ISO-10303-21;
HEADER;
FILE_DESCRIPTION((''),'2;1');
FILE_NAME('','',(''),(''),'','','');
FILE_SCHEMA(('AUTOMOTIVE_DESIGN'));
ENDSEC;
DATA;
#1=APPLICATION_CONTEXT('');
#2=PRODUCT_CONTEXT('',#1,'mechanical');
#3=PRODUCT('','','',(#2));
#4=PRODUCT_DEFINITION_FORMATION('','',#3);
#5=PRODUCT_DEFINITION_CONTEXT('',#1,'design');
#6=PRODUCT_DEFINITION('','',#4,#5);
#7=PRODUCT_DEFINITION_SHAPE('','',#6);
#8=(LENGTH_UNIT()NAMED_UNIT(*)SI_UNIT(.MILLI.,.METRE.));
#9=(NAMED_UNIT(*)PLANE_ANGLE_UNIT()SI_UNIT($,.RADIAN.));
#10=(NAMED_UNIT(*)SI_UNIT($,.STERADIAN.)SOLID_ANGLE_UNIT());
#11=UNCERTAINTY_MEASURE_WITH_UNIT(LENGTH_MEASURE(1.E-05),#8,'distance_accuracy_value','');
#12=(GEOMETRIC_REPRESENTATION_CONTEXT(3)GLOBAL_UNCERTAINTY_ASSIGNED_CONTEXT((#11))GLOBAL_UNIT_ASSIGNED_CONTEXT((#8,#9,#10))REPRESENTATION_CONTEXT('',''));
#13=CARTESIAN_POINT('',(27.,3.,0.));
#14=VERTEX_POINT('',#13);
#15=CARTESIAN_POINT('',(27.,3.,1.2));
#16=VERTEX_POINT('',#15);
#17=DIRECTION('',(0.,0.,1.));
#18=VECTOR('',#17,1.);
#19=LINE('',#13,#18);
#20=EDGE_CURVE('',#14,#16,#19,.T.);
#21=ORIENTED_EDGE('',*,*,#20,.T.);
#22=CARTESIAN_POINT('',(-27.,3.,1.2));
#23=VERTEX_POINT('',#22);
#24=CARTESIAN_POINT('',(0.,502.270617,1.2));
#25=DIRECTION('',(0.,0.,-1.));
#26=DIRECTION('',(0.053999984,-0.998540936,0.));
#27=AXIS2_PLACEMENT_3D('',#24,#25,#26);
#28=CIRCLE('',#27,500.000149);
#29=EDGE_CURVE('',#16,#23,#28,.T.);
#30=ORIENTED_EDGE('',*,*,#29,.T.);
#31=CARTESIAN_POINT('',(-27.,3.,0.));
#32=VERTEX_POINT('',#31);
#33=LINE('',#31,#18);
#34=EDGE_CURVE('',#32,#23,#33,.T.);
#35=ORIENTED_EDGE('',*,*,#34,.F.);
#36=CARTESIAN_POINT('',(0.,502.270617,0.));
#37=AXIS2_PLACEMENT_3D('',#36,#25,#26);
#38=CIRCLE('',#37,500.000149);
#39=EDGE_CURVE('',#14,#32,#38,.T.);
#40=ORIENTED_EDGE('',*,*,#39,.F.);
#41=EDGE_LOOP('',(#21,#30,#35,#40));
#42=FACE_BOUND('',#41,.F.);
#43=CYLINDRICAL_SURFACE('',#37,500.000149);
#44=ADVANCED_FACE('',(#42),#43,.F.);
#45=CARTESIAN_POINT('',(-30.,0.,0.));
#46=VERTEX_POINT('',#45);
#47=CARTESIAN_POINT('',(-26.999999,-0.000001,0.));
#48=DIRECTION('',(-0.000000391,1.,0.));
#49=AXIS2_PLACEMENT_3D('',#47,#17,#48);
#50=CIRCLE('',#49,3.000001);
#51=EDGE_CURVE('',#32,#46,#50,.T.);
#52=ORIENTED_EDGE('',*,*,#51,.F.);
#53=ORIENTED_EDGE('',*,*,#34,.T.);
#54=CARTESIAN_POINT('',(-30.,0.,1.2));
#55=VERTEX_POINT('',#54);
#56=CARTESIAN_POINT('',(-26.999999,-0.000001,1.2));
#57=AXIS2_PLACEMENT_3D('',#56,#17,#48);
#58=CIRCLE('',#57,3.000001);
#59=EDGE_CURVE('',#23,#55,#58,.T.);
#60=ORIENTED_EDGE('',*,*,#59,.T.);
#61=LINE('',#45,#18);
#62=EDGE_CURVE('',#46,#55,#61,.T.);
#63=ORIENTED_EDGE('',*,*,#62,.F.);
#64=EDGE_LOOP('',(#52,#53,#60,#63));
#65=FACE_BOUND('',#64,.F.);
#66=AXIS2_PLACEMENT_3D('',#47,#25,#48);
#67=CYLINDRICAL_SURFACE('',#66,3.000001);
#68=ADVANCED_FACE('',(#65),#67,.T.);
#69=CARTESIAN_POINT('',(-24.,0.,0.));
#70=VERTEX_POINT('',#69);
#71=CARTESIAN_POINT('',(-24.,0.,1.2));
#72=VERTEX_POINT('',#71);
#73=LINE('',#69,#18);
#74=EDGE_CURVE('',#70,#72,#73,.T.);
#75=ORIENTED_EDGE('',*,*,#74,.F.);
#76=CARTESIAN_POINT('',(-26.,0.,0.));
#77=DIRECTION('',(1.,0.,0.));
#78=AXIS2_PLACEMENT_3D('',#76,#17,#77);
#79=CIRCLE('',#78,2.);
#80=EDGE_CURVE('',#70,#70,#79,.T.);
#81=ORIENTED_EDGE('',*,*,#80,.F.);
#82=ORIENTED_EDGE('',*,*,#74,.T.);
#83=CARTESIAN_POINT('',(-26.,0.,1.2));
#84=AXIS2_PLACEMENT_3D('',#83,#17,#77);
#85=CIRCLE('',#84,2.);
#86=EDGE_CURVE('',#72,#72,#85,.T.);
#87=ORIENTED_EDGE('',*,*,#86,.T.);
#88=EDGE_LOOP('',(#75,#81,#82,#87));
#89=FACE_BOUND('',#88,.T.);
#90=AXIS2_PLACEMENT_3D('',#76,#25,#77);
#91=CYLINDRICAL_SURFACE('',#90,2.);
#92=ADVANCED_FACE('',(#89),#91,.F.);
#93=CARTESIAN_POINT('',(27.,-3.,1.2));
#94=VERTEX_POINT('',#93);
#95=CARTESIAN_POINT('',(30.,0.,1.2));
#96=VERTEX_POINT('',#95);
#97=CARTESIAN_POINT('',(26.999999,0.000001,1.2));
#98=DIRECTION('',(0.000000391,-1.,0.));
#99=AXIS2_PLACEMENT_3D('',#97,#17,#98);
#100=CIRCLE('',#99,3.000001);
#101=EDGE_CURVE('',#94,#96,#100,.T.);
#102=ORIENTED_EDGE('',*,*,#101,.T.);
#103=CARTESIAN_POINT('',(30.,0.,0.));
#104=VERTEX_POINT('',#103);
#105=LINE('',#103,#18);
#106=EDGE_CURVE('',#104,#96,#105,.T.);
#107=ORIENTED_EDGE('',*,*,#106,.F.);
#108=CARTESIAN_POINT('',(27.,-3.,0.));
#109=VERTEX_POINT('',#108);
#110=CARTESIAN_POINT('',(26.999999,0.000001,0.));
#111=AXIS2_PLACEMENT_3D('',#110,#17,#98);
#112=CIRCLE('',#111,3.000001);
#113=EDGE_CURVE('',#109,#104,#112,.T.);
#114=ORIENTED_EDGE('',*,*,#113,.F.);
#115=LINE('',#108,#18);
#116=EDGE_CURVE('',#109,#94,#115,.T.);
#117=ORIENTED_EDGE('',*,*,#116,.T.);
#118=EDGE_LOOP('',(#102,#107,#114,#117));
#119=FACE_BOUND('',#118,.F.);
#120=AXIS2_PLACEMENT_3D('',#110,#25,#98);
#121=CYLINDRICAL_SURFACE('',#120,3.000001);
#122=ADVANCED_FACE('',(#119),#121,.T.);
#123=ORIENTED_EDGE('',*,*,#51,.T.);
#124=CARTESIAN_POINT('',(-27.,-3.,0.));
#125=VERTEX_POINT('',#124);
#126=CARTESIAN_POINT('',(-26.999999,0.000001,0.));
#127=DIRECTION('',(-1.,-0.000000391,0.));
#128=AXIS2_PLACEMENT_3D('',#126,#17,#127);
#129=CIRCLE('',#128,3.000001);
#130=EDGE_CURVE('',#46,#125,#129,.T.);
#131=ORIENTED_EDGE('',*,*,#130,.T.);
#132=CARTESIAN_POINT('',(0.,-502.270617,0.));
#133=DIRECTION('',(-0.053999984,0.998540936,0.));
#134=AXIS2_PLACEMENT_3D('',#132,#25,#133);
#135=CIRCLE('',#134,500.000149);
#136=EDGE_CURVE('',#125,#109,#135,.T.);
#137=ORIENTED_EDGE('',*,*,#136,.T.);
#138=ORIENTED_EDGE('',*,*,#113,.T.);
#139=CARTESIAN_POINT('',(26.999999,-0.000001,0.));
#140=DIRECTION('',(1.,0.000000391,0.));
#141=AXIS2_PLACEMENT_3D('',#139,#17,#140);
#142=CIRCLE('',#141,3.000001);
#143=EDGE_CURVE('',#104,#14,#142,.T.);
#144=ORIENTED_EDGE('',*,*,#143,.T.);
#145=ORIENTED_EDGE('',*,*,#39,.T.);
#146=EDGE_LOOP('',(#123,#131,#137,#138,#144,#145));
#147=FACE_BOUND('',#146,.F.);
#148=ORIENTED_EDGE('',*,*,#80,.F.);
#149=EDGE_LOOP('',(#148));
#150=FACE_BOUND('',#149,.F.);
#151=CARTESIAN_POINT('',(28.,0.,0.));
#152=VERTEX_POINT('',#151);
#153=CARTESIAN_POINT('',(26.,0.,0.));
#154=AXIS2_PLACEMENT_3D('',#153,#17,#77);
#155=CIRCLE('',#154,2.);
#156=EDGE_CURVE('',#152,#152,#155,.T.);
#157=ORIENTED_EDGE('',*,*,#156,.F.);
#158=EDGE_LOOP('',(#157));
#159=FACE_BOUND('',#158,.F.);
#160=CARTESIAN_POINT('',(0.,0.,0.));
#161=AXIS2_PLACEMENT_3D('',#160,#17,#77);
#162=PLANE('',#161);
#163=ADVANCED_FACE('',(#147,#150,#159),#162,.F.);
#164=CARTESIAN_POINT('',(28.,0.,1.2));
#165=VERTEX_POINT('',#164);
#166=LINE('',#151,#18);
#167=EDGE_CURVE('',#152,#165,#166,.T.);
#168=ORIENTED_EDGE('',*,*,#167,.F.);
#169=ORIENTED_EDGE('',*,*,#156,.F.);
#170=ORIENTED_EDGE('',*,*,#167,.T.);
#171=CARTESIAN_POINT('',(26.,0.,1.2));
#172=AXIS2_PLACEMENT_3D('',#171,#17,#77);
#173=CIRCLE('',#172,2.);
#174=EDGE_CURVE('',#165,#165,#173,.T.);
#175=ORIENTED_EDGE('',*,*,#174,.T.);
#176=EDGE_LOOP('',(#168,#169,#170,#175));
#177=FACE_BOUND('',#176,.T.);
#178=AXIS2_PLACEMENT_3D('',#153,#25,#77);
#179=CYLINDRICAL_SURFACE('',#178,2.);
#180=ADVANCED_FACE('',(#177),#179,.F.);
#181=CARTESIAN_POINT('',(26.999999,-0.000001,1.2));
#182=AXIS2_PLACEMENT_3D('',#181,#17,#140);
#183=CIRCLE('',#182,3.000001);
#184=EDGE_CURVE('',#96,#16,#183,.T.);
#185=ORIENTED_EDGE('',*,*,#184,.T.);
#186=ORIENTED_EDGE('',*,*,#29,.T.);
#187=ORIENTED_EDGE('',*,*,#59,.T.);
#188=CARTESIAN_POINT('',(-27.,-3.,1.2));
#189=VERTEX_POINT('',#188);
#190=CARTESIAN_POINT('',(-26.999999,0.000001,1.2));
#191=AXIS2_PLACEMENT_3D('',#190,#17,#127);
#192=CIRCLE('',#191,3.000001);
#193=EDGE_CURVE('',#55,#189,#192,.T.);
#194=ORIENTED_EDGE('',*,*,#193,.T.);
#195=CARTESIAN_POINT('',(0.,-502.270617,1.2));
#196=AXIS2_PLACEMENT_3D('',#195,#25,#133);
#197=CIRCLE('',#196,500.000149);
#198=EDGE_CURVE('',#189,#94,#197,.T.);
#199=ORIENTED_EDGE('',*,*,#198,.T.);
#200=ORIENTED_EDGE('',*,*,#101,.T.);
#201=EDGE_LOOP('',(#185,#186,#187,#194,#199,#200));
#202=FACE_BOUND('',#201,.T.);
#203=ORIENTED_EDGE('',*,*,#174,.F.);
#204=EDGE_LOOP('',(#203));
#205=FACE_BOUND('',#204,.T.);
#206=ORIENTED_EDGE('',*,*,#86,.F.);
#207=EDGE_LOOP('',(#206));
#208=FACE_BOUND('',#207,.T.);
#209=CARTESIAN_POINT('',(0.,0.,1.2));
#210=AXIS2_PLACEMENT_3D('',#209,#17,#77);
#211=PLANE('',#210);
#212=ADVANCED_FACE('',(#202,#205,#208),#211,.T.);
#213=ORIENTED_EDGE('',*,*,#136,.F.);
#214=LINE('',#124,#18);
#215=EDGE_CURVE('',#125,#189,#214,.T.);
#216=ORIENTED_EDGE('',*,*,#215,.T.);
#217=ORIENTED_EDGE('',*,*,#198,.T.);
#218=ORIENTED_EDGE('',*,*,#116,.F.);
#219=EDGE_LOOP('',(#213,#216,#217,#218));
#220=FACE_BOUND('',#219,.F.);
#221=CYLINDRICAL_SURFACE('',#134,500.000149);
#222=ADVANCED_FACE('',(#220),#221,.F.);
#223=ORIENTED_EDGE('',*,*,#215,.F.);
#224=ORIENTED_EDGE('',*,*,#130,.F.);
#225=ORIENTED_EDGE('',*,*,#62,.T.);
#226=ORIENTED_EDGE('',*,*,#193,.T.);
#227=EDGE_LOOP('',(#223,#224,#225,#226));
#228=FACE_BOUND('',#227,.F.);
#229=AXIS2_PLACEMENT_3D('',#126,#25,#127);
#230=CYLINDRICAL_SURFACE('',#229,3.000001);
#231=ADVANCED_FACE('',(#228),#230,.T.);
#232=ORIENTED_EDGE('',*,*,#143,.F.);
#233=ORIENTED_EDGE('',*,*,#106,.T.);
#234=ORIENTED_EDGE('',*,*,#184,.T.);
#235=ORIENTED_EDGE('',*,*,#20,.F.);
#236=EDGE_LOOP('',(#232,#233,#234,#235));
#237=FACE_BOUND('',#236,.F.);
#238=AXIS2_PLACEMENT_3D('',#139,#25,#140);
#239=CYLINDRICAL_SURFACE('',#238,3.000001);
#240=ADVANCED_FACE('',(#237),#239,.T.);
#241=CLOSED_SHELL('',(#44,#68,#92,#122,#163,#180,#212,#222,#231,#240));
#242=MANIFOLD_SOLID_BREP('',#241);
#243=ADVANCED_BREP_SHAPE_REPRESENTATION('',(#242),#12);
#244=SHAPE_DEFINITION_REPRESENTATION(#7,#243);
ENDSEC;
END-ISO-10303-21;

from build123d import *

# Parameters (mm, degrees)
F0_R     = 2
F1_DEPTH = 1.2


with BuildPart() as f1:
    # F0 (on Top) → F1 (new body)
    with BuildSketch(Plane.XY):
        with BuildLine():
            ThreePointArc((27, 3), (0, 2.270468), (-27, 3))
            ThreePointArc((-27, 3), (-29.12132, 2.12132), (-30, 0))
            ThreePointArc((-30, 0), (-29.12132, -2.12132), (-27, -3))
            ThreePointArc((-27, -3), (0, -2.270468), (27, -3))
            ThreePointArc((27, -3), (29.12132, -2.12132), (30, 0))
            ThreePointArc((30, 0), (29.12132, 2.12132), (27, 3))
        make_face()
        with Locations((-26, 0)):
            Circle(F0_R, mode=Mode.SUBTRACT)
        with Locations((26, 0)):
            Circle(F0_R, mode=Mode.SUBTRACT)
    extrude(amount=F1_DEPTH)


solid = f1.part
